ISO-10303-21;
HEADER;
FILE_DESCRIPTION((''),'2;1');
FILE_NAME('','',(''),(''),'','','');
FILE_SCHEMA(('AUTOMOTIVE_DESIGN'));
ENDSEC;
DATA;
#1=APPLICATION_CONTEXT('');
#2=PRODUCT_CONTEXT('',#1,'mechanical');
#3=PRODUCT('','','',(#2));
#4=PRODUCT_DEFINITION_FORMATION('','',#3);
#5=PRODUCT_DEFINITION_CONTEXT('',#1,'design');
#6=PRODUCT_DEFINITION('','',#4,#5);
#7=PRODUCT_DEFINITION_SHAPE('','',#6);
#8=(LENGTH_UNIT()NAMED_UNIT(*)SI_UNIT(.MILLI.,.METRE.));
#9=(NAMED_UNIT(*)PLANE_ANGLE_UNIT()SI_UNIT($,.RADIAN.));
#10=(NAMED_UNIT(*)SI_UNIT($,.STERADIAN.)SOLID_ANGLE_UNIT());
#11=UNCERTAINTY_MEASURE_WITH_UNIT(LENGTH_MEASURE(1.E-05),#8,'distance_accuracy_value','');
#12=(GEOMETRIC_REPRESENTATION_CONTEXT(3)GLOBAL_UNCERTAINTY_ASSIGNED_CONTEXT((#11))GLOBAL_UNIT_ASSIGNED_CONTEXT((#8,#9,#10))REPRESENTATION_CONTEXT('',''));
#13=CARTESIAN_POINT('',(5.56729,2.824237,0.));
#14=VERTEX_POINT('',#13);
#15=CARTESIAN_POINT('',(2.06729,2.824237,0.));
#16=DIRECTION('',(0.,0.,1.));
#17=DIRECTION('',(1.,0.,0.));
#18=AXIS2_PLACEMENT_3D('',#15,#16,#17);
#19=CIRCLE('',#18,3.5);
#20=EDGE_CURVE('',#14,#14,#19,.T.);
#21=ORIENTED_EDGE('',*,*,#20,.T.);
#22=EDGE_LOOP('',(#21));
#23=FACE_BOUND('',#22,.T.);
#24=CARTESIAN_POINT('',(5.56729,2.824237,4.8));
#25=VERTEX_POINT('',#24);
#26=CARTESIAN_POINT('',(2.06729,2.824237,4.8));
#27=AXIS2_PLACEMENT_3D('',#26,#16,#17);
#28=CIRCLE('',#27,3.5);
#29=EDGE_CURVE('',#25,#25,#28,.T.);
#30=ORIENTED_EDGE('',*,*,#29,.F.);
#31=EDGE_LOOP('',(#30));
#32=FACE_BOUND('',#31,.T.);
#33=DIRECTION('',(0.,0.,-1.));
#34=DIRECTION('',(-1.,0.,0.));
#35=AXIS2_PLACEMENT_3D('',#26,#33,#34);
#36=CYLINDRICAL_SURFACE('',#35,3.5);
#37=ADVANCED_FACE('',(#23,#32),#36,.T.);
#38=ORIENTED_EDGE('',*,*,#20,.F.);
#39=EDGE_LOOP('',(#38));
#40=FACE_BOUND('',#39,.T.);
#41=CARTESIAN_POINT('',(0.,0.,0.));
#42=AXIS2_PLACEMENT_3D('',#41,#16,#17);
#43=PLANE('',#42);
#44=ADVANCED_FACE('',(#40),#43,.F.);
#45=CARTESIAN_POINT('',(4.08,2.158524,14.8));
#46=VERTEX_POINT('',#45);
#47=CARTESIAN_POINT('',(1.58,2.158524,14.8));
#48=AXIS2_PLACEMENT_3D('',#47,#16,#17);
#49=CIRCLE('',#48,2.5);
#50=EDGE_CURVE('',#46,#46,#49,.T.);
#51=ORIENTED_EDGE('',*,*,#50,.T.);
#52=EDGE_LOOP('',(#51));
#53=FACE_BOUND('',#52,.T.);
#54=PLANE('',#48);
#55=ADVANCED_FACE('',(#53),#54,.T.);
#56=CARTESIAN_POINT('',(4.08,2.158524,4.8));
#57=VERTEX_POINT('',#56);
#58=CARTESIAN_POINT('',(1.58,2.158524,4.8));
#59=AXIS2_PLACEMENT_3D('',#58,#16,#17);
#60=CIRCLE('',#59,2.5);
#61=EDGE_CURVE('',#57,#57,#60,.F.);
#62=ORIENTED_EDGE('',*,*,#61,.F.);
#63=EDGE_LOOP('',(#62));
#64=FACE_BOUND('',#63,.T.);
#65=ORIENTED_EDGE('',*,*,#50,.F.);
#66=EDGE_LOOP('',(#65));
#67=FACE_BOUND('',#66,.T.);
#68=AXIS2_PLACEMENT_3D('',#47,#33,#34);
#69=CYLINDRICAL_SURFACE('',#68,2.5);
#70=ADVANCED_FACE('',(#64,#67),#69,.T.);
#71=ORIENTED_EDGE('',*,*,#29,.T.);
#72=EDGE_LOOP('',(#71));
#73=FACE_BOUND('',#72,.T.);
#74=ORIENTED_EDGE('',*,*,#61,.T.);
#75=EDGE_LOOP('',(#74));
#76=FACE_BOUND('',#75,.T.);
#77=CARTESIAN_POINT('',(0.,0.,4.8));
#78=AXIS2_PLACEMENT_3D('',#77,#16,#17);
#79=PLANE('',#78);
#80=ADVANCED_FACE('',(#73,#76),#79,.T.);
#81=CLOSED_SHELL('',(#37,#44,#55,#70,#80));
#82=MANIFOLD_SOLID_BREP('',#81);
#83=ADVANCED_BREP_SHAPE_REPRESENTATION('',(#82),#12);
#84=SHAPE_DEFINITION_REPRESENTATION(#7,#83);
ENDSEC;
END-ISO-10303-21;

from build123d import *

# Parameters (mm, degrees)
SKETCH1_R           = 3.5
BOSS_EXTRUDE1_DEPTH = 4.8
SKETCH1_3_R         = 2.5
BOSS_EXTRUDE2_DEPTH = 14.8


with BuildPart() as part:
    # Sketch1 → Boss-Extrude1 (new body)
    with BuildSketch(Plane.XY):
        with Locations((2.06728972, 2.824236749)):
            Circle(SKETCH1_R)
    extrude(amount=BOSS_EXTRUDE1_DEPTH)

    # Sketch1<3> → Boss-Extrude2 (add)
    with BuildSketch(Plane.XY):
        with Locations((1.58, 2.158523801)):
            Circle(SKETCH1_3_R)
    extrude(amount=BOSS_EXTRUDE2_DEPTH)


solid = part.part
